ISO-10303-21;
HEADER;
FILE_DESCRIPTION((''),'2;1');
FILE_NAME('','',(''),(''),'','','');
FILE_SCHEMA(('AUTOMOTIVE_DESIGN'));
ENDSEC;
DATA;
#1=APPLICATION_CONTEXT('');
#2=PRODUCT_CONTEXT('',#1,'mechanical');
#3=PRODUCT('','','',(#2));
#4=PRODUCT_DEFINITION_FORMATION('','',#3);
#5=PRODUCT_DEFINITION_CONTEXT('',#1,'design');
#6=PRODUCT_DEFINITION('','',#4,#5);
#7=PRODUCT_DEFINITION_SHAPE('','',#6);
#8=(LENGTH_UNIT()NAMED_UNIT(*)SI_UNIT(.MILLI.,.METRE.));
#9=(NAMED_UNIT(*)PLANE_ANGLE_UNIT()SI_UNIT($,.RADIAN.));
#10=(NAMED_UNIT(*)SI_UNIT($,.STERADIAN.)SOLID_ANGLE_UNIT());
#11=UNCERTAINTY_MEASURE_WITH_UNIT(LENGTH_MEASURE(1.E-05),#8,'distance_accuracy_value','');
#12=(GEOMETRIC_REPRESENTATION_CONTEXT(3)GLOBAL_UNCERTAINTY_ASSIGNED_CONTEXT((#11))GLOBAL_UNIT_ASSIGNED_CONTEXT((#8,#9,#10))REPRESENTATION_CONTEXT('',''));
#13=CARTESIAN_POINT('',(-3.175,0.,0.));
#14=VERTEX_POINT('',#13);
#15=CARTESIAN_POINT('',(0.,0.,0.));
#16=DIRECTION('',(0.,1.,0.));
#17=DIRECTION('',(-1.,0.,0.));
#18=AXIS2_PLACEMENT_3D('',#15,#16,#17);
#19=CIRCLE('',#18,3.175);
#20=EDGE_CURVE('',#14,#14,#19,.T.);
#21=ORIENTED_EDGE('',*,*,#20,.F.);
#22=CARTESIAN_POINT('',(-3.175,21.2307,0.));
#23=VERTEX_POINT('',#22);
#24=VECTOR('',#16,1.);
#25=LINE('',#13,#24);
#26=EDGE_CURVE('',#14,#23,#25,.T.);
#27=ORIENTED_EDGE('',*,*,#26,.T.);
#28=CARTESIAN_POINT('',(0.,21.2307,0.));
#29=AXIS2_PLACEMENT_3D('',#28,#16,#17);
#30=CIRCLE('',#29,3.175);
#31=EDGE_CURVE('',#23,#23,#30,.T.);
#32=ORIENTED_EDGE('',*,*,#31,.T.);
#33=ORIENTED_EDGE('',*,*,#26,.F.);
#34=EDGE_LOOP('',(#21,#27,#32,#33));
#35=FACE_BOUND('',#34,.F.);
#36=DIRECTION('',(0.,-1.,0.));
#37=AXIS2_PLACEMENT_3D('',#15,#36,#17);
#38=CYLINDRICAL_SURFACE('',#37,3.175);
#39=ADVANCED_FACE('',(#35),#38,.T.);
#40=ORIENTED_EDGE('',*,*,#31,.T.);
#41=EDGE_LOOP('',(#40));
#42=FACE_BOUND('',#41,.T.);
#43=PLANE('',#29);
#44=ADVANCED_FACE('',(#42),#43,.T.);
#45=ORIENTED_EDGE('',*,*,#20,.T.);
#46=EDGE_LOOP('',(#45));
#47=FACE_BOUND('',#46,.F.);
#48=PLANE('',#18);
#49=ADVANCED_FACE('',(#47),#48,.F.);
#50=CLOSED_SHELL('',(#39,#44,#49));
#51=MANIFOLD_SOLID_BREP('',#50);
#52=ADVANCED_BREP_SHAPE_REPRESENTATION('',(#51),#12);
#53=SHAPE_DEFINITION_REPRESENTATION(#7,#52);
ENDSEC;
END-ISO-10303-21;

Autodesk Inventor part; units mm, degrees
ref_plane "YZ Plane" through (0, 0, 0) normal (1, 0, 0) x (0, 1, 0)
ref_plane "XZ Plane" through (0, 0, 0) normal (0, 1, 0) x (-1, 0, 0)
ref_plane "XY Plane" through (0, 0, 0) normal (0, 0, 1) x (1, 0, 0)
sketch "Sketch1" plane through (0, 0, 0) normal (0, 1, 0) x (-1, 0, 0)
  circle A0 centre (0, 0) radius 3.175
  dimension "d0" = 6.35
extrude "Extrusion1" add sketch "Sketch1" along normal blind 21.2307
thread "Thread1" size "1/4-20 UNC" class "2A" standard "ANSI Unified Screw Threads" full length
properties part number "4-20_screw"
